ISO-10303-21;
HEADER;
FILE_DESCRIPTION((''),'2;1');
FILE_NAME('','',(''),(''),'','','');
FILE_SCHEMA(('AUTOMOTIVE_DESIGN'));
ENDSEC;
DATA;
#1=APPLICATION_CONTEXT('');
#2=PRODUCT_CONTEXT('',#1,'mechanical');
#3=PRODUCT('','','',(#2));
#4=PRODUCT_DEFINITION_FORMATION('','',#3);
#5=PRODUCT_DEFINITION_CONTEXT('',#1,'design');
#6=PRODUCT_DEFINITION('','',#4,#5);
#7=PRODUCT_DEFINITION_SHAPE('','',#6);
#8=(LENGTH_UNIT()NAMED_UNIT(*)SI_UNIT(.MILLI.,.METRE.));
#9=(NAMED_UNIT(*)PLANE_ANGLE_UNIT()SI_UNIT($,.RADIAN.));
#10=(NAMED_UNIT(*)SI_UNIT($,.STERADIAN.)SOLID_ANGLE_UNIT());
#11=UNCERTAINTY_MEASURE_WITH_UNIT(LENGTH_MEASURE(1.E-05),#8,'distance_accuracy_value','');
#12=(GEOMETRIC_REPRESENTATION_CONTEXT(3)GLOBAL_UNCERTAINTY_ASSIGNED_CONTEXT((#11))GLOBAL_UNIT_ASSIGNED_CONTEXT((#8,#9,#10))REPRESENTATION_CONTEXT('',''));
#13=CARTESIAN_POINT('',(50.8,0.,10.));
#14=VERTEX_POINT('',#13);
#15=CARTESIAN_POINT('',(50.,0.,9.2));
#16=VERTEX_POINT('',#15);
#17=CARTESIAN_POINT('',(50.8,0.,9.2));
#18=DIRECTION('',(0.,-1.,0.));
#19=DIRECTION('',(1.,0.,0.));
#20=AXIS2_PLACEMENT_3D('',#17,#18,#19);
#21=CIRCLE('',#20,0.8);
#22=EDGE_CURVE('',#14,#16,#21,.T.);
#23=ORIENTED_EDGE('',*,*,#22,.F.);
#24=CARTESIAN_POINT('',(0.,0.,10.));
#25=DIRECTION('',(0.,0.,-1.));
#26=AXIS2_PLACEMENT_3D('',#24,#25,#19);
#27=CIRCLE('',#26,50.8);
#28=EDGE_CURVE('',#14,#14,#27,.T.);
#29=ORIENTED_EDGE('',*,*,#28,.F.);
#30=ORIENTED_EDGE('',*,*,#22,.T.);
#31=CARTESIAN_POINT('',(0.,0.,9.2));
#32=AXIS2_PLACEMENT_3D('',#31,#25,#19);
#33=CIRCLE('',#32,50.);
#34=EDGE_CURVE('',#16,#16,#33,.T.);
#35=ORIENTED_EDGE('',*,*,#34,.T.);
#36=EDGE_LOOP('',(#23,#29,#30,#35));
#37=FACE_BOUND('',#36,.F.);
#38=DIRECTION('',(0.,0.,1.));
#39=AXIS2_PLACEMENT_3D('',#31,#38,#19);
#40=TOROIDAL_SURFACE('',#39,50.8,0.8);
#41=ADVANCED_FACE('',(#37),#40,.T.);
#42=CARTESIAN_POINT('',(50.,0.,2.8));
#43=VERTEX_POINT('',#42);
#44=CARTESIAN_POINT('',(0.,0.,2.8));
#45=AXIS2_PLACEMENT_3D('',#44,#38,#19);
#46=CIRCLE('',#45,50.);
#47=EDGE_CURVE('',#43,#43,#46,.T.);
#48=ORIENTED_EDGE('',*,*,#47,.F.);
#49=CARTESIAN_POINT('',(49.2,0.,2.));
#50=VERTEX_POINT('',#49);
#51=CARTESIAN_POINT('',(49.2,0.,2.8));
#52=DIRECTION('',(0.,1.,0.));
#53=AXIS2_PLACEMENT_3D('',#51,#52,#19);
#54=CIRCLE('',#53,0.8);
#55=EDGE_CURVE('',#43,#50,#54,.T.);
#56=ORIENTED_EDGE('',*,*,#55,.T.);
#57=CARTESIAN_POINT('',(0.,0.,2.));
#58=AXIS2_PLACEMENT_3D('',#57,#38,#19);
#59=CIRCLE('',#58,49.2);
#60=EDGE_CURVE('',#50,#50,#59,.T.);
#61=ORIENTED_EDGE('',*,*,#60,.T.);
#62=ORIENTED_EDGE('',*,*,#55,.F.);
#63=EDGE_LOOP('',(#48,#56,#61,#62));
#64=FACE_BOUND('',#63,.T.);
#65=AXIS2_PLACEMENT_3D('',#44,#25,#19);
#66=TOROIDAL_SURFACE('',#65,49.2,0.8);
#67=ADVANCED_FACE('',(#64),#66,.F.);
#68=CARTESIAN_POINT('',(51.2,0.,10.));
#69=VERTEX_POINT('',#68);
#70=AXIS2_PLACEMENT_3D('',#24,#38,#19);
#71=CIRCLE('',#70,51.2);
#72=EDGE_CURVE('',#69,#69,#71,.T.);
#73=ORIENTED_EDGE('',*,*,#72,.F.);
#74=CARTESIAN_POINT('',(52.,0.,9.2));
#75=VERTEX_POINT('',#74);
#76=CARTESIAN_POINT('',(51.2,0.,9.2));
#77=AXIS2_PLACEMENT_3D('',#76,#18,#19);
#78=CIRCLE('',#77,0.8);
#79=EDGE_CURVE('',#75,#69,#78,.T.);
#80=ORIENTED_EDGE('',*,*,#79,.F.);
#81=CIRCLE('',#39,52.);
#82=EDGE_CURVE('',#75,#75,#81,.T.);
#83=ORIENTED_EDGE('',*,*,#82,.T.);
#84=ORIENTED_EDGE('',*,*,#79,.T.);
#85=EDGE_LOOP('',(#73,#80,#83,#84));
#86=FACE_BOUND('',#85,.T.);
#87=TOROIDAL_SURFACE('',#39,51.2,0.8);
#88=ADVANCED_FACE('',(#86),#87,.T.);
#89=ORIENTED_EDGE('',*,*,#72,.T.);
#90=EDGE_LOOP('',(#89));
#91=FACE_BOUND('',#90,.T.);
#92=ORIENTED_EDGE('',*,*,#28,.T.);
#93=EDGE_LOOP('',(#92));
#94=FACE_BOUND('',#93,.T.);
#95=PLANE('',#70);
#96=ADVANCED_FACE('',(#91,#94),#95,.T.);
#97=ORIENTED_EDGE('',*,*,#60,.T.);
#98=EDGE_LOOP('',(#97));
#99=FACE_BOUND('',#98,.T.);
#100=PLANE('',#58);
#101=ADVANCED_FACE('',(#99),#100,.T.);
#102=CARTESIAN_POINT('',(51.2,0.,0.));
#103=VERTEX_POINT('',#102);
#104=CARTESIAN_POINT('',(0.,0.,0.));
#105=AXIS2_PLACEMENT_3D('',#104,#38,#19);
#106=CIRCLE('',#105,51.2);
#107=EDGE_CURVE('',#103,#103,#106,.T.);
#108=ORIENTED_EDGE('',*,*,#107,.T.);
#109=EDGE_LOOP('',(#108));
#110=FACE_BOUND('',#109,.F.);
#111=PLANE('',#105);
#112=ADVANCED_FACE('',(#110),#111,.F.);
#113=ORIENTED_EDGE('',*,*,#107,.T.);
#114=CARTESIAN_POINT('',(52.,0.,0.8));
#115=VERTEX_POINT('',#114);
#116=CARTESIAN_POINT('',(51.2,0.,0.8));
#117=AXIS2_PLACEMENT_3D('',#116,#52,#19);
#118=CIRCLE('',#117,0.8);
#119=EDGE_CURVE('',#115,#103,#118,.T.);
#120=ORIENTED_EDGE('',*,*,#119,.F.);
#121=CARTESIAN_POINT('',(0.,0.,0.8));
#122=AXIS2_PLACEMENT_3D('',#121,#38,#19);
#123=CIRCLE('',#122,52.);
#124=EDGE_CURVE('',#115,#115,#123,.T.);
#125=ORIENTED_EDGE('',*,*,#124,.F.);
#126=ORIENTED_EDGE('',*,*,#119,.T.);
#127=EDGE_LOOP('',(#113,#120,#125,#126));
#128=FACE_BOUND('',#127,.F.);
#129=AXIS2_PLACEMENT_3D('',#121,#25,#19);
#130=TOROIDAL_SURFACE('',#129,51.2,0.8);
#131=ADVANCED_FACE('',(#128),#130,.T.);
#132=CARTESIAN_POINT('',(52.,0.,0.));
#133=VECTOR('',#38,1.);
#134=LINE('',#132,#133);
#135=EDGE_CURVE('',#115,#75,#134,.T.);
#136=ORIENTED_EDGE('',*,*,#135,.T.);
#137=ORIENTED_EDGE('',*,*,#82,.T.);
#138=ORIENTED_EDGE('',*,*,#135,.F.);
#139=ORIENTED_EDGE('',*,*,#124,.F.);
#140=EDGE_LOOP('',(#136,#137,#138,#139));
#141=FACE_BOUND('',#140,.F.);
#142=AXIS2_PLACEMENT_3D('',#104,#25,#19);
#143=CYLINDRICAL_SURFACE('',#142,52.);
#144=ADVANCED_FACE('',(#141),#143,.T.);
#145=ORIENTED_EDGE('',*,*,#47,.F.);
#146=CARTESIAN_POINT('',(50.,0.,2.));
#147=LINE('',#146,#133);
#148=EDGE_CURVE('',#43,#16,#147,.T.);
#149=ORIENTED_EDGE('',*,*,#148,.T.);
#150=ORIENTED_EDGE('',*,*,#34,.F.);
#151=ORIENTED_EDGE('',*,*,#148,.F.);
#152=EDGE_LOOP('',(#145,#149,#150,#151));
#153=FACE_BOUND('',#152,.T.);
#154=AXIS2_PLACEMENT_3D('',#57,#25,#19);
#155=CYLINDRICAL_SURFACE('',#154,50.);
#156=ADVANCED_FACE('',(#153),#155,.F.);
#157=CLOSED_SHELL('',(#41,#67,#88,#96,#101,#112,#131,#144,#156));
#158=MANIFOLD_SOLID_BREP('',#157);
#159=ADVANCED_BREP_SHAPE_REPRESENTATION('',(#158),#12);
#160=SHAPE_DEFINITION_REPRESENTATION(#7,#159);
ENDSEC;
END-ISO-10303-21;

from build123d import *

# Parameters (mm, degrees)
CYLINDER001_R     = 50
CYLINDER001_DEPTH = 10
CYLINDER_R        = 52
CYLINDER_DEPTH    = 10
FILLET_R          = 0.8


with BuildPart() as cylinder001:
    # Cylinder001 → Cylinder001 (new body)
    with BuildSketch(Plane.XY.offset(2)):
        Circle(CYLINDER001_R)
    extrude(amount=CYLINDER001_DEPTH)


with BuildPart() as fillet_body:
    # Cylinder → Cylinder (new body)
    with BuildSketch(Plane.XY):
        Circle(CYLINDER_R)
    extrude(amount=CYLINDER_DEPTH)

    # Cut: cut Cylinder001
    add(cylinder001.part, mode=Mode.SUBTRACT)

    # Fillet
    fillet_edges = [fillet_body.edges().sort_by_distance(p)[0] for p in [
        (-52, 0, 10),
        (-52, 0, 0),
        (-50, 0, 10),
        (-50, 0, 2),
    ]]
    fillet(fillet_edges, radius=FILLET_R)


solid = fillet_body.part
